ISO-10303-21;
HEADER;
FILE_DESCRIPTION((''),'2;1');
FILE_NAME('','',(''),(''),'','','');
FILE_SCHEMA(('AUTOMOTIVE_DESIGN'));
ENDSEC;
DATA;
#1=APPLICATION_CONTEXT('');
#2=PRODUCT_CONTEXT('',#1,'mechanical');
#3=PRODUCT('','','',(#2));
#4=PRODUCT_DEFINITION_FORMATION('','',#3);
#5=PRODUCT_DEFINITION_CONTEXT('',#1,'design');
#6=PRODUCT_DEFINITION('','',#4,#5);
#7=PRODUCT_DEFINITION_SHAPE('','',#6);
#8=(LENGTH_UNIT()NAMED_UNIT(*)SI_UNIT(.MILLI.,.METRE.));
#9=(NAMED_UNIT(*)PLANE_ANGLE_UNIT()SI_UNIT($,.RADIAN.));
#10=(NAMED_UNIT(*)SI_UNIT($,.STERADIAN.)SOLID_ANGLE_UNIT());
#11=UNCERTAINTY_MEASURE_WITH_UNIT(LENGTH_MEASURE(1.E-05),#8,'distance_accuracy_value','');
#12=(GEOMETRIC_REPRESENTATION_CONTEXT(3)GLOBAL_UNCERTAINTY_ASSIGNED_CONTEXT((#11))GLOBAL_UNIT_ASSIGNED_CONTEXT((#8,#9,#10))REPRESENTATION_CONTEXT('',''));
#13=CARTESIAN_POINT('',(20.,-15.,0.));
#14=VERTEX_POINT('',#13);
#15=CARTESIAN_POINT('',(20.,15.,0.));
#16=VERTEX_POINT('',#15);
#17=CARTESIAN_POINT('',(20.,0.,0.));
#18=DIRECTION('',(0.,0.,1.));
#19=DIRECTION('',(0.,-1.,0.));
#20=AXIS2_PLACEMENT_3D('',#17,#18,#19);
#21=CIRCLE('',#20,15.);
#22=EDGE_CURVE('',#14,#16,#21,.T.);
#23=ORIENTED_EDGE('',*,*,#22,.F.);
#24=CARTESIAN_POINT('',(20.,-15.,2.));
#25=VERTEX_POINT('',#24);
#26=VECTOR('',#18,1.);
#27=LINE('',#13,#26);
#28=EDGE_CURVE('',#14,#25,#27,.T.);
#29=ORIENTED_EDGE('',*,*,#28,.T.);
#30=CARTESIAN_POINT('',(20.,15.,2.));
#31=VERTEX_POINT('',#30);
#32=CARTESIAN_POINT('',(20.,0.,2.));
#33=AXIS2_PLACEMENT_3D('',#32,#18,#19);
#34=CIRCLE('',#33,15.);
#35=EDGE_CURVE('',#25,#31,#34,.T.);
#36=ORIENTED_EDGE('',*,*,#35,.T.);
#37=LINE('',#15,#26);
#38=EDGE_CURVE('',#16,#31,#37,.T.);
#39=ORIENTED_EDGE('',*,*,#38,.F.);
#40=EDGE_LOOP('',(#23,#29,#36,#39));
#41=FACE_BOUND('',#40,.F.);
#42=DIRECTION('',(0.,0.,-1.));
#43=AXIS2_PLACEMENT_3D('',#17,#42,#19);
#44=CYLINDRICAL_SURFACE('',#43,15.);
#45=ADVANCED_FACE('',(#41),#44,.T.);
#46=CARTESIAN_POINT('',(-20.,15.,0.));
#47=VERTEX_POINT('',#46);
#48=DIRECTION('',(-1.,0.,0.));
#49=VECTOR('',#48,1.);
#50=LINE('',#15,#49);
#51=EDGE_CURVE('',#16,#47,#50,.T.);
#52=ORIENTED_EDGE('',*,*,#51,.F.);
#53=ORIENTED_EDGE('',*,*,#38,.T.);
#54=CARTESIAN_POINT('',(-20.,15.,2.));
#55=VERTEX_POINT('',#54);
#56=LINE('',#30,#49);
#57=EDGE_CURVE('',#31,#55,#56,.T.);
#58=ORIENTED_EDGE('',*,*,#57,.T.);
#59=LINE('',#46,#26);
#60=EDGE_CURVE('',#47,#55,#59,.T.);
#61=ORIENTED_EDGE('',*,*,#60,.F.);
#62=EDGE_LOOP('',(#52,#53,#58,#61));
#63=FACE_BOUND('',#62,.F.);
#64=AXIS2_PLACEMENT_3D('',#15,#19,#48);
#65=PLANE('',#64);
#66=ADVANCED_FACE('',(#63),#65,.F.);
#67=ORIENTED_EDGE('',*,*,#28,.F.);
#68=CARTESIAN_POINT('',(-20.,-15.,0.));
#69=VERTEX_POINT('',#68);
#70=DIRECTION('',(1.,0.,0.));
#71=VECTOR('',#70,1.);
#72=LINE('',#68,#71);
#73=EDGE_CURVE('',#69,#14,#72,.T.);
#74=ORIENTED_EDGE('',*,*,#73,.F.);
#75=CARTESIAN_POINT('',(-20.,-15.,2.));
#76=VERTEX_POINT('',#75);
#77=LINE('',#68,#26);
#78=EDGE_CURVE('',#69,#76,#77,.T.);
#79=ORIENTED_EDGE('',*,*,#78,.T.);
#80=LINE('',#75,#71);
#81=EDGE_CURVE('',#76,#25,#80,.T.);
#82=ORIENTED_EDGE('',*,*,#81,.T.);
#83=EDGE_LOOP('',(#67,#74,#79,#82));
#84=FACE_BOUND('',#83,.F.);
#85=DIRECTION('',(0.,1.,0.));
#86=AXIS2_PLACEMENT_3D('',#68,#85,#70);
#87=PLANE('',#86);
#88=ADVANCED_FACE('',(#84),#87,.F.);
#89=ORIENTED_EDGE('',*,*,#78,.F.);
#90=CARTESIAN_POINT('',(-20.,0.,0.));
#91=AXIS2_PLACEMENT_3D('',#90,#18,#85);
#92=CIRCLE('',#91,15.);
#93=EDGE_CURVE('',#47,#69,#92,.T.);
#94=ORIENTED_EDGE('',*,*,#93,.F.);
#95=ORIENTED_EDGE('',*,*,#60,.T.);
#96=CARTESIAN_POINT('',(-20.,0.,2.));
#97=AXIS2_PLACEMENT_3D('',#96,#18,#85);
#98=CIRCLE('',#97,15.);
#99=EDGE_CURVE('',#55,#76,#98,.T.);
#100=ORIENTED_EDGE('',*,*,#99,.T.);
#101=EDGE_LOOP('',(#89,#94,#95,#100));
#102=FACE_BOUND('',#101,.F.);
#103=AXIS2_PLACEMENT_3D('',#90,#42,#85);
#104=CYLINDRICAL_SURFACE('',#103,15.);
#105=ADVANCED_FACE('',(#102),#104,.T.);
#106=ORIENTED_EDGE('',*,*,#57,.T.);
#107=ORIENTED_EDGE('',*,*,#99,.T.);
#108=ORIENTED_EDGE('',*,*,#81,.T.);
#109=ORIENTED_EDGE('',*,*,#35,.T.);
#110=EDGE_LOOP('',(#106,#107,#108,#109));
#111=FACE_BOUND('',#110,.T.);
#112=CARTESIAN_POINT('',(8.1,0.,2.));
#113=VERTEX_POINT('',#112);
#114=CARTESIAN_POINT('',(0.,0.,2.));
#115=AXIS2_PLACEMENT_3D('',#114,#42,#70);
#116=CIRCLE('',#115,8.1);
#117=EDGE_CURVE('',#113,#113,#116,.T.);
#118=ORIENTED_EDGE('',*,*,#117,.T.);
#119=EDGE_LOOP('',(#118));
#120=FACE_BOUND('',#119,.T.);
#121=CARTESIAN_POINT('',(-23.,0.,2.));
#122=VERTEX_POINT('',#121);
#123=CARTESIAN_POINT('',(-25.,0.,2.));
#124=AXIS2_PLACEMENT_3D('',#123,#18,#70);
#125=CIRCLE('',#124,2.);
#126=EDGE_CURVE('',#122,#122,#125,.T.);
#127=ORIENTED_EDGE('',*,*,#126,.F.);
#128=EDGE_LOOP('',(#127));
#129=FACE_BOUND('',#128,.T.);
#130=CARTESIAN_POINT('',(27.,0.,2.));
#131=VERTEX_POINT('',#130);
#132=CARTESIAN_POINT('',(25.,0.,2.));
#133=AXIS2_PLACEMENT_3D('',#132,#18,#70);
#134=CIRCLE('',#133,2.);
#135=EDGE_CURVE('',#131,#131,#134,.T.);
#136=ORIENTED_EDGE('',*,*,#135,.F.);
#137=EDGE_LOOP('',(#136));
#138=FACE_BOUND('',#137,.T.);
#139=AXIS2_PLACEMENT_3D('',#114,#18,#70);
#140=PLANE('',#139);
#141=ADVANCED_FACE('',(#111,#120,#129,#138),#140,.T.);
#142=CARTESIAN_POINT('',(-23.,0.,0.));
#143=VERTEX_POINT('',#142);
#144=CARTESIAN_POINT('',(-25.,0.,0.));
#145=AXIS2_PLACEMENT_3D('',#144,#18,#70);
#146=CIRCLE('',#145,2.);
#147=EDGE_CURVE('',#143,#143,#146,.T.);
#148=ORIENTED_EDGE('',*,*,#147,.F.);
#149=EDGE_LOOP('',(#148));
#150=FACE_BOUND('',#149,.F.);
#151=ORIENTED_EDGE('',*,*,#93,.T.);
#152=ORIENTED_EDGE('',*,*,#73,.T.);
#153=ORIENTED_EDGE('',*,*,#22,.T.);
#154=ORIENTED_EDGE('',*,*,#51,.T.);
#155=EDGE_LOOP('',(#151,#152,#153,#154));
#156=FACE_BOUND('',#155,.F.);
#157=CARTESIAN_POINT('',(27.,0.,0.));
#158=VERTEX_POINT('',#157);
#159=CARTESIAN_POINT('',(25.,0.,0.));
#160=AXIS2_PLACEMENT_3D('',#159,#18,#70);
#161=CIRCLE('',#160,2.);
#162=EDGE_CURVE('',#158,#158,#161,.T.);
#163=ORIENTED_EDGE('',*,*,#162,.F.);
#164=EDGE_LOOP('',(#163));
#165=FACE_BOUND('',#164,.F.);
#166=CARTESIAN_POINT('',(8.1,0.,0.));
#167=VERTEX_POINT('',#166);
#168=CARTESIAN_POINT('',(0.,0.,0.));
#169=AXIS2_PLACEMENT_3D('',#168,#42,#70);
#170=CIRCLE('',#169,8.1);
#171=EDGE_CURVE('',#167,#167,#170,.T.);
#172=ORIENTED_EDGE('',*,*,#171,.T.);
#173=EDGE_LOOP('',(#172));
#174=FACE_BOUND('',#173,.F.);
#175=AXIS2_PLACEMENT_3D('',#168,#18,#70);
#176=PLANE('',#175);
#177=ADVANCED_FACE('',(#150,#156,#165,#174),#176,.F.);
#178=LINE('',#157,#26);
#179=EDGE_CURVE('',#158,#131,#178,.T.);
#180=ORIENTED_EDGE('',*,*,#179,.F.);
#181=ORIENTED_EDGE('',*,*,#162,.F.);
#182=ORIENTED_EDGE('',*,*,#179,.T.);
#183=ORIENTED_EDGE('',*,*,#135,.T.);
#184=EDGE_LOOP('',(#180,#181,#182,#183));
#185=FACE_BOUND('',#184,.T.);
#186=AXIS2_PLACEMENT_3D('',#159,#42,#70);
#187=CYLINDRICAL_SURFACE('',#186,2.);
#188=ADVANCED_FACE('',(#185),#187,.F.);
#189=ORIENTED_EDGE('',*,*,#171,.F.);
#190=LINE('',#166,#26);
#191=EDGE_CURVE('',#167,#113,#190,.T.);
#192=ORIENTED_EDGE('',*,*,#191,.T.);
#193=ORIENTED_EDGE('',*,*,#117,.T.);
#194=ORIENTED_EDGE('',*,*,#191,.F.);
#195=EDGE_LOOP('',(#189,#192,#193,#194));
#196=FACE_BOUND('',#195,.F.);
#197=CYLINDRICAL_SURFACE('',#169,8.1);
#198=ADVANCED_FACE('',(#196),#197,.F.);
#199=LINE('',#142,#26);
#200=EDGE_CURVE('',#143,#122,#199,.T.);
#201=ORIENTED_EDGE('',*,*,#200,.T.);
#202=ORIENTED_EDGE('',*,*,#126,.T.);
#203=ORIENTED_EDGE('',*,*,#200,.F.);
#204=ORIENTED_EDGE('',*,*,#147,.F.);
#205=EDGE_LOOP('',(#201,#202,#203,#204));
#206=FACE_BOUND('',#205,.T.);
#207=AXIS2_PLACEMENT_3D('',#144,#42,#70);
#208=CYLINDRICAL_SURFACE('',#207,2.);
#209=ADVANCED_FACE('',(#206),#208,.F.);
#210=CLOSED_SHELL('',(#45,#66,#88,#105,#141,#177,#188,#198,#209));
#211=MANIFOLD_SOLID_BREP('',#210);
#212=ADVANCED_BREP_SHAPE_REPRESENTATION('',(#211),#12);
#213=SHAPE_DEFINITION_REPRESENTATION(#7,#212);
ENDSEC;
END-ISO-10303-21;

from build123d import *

# Parameters (mm, degrees)
F0_R     = 2
F1_DEPTH = 2


with BuildPart() as f1:
    # F0 (on Top) → F1 (new body)
    with BuildSketch(Plane.XY):
        with BuildLine():
            ThreePointArc((-20, 15), (-35, 0), (-20, -15))
            Line((-20, -15), (20, -15))
            ThreePointArc((20, -15), (35, 0), (20, 15))
            Line((20, 15), (-20, 15))
        make_face()
        with Locations((-25, 0)):
            Circle(F0_R, mode=Mode.SUBTRACT)
        with BuildLine():
            ThreePointArc((-8.1, 0), (0, 8.1), (8.1, 0))
            ThreePointArc((8.1, 0), (0, -8.1), (-8.1, 0))
        make_face(mode=Mode.SUBTRACT)
        with Locations((25, 0)):
            Circle(F0_R, mode=Mode.SUBTRACT)
    extrude(amount=F1_DEPTH)


solid = f1.part
